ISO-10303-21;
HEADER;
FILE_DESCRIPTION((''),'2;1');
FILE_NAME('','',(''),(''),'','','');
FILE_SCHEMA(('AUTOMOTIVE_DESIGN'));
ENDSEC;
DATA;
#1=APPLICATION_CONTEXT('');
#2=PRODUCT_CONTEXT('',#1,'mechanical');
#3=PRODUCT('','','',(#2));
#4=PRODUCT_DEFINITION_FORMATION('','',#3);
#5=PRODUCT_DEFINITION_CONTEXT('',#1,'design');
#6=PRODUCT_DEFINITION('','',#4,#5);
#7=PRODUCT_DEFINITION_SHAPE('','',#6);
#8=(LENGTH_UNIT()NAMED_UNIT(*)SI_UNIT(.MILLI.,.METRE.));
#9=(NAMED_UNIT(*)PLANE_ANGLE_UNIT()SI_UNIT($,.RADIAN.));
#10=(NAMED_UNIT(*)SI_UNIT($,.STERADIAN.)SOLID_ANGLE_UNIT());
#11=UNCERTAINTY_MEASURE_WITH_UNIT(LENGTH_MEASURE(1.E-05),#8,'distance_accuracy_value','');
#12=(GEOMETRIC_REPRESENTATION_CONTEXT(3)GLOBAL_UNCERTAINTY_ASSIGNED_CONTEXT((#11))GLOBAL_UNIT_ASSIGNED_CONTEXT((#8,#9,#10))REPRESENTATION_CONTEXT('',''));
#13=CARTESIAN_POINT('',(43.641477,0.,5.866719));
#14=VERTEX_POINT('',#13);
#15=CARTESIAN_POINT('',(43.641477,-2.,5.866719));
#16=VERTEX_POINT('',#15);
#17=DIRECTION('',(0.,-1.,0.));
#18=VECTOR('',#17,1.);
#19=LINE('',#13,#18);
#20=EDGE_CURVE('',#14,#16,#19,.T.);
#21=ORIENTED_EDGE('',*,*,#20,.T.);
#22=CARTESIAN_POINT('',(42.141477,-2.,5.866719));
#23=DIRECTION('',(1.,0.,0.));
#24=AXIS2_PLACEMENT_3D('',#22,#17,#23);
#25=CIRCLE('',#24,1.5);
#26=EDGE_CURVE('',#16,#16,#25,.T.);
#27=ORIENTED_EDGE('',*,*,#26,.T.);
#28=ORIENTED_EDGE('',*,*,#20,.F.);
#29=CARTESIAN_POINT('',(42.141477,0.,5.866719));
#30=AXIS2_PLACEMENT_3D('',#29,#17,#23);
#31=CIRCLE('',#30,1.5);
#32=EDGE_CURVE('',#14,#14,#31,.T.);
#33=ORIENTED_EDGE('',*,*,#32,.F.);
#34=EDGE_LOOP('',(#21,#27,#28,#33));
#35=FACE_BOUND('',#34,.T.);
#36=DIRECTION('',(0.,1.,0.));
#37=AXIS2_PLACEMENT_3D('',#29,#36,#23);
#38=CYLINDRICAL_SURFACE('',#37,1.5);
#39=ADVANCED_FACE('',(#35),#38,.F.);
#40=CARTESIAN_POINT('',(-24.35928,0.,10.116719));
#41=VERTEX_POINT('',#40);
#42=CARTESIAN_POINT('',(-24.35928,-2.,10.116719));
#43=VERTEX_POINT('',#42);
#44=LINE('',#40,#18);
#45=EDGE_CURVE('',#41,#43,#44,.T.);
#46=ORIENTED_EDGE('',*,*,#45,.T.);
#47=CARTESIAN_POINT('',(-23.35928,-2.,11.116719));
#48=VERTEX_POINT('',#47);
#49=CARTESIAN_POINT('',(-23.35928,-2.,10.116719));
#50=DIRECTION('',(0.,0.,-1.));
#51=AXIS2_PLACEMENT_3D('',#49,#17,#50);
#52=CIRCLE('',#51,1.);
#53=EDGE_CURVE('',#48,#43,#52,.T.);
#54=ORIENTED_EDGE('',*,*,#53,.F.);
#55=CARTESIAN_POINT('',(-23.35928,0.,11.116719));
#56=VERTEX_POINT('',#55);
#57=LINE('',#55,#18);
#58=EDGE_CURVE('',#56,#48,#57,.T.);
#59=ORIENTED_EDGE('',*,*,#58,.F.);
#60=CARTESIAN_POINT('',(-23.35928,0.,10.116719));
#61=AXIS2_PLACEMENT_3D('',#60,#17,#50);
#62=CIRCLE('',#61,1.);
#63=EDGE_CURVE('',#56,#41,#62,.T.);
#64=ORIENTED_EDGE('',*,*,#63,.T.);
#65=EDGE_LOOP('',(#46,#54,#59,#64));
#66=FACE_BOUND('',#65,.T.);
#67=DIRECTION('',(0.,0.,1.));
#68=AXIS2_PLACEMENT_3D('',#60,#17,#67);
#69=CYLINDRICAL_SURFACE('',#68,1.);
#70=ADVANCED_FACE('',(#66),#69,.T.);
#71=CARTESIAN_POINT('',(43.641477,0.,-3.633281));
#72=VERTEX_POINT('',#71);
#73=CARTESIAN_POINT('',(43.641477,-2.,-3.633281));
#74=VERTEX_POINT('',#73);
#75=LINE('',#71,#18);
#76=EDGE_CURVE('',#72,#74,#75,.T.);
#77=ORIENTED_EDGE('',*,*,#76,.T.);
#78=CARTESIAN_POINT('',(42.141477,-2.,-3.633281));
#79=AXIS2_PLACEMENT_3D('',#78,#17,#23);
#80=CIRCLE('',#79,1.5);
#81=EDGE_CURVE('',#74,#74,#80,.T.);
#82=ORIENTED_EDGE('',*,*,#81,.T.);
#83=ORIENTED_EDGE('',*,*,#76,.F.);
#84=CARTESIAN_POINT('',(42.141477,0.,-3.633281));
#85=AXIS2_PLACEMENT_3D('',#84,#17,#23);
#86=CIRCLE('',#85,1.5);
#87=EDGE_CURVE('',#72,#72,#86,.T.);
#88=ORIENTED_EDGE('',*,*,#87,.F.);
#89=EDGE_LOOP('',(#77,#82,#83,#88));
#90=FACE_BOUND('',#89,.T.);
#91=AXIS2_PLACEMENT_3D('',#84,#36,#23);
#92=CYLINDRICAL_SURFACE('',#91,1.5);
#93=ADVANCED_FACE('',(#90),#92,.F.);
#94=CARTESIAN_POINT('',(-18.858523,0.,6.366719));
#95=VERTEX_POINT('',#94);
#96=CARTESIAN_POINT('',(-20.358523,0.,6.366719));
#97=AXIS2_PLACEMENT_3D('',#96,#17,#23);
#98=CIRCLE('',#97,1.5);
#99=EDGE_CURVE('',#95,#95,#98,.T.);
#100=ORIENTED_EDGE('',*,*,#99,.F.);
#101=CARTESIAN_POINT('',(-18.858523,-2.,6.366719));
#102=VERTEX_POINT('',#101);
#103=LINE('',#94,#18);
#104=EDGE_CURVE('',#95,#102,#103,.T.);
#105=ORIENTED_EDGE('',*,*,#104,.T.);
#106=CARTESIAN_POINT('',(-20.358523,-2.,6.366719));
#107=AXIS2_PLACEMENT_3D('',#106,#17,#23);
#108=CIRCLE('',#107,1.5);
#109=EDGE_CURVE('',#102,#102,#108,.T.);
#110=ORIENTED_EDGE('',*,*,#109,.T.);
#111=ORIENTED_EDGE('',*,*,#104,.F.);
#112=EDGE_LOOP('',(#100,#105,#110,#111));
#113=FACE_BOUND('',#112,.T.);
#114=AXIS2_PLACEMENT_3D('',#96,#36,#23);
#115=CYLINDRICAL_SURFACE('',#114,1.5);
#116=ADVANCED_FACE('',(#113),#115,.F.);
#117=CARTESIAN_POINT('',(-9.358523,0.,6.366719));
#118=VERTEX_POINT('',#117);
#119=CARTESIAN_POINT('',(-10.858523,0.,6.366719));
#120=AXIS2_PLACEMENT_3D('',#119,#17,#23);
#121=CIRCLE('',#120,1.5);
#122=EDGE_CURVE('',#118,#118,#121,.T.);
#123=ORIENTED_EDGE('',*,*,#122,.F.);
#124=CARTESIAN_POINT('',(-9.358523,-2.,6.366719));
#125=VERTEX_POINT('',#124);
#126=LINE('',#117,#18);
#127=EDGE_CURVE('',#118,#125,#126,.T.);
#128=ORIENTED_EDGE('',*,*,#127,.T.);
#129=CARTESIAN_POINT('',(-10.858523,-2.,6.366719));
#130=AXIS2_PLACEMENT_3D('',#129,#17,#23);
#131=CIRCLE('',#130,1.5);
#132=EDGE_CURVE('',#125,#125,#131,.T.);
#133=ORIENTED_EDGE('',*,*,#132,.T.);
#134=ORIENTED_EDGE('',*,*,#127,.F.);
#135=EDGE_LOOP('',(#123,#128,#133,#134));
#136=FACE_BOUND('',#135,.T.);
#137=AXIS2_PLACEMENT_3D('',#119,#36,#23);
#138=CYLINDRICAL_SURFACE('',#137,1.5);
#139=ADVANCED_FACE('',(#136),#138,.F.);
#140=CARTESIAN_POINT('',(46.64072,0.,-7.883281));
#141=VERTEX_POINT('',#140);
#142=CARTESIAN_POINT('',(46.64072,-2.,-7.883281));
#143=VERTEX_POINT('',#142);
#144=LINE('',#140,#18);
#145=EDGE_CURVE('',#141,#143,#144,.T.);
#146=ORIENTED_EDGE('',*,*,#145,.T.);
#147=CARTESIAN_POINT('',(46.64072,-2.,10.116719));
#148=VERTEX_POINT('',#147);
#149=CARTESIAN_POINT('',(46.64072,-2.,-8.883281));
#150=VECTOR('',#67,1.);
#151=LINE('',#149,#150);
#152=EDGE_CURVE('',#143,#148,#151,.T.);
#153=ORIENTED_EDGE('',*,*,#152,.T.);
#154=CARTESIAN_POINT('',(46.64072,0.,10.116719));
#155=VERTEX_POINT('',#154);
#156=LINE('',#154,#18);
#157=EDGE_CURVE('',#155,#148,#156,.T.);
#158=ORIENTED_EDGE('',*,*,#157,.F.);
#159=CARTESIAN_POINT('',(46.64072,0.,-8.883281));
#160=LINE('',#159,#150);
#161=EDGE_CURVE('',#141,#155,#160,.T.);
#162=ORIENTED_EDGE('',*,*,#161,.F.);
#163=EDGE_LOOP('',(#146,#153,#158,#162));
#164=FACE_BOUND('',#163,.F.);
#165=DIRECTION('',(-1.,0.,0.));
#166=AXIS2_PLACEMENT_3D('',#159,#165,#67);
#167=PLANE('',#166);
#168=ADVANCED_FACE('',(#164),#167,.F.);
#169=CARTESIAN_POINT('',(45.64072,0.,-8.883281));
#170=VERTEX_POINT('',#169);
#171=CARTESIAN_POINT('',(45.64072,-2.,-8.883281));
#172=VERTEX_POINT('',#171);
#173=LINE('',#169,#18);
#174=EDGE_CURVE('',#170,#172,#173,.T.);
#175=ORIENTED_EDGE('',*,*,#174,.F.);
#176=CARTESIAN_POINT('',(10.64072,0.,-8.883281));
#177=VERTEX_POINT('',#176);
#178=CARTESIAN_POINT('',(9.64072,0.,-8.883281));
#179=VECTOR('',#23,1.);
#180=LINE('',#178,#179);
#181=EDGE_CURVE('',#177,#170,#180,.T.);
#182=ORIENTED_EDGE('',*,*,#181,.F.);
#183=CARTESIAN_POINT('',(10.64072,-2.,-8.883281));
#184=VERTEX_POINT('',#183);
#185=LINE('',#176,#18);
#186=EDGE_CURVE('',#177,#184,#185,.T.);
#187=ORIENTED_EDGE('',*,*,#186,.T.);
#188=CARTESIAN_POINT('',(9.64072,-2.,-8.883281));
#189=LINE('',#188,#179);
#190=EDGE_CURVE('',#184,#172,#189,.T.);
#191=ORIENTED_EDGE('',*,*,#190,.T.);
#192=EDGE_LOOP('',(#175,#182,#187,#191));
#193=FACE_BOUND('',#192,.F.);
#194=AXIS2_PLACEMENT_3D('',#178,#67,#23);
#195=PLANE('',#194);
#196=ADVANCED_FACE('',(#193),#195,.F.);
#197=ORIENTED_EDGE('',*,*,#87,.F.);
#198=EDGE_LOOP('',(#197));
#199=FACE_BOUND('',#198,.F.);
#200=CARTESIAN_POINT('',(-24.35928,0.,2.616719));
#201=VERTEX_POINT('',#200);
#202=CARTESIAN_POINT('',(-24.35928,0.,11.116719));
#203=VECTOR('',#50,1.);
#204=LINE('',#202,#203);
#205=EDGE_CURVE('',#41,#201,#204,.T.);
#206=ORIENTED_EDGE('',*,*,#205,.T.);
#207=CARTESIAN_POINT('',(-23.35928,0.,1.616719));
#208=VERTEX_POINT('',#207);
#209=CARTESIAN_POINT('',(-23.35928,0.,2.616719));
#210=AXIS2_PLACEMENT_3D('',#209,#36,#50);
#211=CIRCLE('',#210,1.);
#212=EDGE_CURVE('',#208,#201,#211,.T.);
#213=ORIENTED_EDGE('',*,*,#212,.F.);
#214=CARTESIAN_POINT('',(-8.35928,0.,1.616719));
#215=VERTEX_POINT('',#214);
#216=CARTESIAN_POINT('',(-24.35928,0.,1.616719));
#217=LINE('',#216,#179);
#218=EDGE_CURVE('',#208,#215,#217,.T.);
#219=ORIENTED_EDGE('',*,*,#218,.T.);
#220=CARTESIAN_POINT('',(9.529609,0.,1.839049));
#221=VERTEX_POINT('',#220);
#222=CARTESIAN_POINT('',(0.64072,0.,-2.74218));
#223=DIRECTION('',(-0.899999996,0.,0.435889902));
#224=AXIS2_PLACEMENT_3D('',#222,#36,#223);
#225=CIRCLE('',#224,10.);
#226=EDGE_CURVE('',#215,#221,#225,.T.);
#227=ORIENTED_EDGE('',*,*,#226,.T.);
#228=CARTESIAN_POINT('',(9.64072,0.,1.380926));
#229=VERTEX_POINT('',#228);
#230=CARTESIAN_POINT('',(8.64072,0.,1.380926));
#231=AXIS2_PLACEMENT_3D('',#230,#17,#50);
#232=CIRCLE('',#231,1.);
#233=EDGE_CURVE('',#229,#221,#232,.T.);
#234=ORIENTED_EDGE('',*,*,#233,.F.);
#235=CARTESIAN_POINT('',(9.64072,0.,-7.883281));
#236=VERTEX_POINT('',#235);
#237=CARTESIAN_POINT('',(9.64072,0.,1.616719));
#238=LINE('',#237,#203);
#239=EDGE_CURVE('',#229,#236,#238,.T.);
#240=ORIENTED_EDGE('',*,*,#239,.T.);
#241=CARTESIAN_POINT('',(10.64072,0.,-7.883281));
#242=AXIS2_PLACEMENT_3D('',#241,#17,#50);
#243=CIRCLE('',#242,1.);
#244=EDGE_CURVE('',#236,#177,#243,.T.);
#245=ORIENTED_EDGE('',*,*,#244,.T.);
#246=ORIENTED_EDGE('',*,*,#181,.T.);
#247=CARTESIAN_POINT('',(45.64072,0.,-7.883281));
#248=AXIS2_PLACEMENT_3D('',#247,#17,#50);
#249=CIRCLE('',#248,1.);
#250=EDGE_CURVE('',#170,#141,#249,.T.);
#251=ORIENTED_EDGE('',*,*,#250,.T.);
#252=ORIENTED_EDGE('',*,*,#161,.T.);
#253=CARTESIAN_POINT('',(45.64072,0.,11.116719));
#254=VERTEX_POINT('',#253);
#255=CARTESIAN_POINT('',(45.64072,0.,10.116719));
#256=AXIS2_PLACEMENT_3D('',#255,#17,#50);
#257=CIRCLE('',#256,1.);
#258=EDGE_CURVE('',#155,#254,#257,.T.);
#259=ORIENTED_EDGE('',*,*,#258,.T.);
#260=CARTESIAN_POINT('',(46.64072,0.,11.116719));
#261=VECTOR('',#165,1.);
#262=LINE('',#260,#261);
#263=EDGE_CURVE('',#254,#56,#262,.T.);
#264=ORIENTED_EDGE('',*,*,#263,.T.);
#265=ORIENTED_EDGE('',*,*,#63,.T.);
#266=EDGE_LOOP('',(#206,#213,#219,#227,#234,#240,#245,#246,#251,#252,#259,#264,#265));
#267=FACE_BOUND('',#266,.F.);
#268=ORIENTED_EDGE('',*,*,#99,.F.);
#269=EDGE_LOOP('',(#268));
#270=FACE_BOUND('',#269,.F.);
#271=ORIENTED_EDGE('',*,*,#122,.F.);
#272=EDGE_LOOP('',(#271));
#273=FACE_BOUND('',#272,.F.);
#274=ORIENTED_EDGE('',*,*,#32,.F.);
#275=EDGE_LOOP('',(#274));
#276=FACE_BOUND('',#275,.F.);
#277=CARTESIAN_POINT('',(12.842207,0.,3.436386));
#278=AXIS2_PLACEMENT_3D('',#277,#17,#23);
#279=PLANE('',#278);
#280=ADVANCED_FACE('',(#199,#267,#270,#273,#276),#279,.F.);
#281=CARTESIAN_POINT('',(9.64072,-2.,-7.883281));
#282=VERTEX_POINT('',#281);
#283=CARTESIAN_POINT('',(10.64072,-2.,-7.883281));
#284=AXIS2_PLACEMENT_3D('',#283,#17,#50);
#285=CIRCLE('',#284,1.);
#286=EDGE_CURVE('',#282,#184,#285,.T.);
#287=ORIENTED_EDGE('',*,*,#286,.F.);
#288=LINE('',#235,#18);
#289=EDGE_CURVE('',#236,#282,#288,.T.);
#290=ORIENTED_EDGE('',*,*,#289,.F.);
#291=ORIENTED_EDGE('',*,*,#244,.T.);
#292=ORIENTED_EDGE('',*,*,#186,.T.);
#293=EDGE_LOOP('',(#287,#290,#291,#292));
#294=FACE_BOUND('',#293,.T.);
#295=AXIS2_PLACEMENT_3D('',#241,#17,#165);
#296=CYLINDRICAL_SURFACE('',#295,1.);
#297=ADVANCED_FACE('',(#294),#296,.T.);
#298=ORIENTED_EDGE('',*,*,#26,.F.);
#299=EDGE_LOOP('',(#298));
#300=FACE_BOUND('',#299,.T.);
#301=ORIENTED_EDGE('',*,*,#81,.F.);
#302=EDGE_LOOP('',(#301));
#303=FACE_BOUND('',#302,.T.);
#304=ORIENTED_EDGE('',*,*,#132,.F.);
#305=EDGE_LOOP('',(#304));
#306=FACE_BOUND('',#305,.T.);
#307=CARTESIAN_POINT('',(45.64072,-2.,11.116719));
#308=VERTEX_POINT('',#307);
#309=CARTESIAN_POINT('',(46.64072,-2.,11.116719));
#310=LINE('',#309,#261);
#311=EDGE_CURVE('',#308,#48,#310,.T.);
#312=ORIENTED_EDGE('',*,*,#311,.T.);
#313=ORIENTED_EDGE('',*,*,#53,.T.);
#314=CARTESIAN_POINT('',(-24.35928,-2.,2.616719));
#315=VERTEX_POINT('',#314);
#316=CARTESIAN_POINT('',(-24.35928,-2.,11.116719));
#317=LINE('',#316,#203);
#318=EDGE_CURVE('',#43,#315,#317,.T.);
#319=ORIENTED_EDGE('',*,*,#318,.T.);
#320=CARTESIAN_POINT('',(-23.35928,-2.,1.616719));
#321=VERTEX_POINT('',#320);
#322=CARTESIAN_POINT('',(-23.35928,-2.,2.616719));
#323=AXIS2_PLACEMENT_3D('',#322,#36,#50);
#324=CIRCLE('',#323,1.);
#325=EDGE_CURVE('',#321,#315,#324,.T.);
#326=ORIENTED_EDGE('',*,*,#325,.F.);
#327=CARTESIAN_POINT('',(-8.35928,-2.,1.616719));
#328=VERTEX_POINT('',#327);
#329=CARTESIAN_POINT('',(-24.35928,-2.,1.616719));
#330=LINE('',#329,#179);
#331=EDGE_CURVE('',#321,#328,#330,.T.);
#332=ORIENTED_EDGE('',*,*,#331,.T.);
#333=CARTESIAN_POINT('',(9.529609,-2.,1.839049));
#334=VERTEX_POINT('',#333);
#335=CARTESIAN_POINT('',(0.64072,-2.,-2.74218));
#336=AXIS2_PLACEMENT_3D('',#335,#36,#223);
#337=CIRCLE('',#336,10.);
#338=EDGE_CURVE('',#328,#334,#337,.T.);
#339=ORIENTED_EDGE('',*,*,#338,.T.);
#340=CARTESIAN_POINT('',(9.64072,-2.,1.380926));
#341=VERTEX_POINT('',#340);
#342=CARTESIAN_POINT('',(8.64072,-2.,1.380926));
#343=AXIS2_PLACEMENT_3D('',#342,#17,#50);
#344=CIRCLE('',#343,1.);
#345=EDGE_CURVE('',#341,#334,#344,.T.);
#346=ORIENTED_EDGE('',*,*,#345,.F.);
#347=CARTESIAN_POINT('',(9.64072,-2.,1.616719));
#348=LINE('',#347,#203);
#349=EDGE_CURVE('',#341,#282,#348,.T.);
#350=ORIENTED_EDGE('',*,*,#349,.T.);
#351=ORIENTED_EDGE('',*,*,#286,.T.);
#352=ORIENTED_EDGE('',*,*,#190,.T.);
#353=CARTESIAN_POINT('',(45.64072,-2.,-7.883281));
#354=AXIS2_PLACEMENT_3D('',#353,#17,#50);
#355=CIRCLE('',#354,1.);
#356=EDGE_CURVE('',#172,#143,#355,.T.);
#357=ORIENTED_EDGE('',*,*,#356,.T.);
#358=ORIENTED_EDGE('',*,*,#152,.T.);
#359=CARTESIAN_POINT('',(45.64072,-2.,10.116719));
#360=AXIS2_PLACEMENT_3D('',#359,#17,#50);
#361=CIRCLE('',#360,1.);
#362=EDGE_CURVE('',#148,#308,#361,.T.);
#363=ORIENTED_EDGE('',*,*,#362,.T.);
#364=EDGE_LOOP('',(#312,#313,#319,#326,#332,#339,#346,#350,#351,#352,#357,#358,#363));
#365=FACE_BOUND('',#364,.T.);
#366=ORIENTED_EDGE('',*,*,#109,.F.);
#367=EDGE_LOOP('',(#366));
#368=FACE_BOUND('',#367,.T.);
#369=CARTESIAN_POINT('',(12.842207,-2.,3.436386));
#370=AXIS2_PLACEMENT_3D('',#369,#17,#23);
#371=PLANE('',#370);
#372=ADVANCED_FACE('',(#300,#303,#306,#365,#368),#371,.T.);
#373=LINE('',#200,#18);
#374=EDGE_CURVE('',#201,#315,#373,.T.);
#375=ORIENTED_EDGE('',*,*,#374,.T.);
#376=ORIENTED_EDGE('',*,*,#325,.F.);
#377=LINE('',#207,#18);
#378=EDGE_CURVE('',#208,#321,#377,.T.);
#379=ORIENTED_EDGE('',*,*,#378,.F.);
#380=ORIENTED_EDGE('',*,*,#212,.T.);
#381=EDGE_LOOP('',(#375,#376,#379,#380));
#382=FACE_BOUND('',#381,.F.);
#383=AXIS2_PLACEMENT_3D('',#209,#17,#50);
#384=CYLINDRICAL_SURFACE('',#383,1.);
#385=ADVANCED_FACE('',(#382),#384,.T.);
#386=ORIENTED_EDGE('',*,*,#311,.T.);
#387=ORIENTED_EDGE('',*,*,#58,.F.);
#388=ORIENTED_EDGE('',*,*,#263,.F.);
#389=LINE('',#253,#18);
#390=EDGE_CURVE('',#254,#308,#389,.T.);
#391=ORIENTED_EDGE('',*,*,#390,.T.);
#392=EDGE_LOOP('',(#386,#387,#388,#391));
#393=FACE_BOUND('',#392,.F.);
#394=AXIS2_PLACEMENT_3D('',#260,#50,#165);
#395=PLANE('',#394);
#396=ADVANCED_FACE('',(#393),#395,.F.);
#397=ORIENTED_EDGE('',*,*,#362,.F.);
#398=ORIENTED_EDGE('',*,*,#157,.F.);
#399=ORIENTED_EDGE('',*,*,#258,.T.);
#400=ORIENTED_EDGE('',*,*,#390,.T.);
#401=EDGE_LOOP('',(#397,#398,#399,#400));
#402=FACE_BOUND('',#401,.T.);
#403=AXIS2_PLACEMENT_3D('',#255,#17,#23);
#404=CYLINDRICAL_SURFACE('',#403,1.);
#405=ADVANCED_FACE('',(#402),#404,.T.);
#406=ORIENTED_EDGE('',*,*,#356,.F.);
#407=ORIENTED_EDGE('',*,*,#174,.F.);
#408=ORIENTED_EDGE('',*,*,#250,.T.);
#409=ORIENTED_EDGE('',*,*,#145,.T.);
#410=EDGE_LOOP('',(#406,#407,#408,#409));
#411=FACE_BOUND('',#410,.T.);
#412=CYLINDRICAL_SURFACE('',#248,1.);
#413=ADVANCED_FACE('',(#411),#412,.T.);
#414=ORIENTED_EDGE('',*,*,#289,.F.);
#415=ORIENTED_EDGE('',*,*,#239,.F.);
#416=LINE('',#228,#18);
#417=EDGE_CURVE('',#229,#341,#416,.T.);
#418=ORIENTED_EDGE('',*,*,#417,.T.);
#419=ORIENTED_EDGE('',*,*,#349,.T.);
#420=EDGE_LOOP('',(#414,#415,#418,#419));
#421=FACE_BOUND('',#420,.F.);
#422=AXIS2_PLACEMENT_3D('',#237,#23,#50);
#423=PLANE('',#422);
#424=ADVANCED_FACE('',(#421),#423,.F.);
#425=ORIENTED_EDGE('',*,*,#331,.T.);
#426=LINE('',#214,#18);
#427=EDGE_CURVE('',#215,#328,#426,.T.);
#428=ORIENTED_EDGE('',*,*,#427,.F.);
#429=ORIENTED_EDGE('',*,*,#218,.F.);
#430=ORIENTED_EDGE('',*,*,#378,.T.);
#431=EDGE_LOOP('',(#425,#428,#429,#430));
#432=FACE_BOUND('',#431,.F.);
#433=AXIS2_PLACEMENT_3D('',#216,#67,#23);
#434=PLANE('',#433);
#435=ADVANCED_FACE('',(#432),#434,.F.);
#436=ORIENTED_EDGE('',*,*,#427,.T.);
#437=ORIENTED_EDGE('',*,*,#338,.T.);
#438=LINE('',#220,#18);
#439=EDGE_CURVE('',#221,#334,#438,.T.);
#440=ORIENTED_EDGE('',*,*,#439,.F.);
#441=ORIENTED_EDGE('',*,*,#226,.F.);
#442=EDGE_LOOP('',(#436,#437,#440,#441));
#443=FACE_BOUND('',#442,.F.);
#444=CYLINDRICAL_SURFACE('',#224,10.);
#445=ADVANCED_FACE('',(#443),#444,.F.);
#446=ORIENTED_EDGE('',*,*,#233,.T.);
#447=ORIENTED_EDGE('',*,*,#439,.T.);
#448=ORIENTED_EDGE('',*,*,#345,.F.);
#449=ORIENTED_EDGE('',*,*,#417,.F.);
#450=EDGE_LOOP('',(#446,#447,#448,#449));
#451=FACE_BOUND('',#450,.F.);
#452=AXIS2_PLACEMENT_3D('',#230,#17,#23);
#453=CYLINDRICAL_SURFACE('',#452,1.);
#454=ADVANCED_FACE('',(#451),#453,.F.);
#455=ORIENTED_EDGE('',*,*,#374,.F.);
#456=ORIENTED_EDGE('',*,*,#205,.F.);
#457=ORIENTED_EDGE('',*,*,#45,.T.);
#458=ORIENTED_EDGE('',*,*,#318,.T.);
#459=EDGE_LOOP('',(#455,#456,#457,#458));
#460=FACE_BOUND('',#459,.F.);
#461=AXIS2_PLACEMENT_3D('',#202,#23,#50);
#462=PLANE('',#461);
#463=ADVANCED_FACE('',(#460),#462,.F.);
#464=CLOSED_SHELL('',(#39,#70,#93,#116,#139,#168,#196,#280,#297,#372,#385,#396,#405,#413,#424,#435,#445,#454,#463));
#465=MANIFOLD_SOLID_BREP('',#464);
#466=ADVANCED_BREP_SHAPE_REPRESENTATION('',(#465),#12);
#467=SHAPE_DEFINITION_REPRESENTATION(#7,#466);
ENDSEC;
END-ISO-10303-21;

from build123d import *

# Parameters (mm, degrees)
F0_R     = 1.5
F1_DEPTH = 2
F2_R     = 1
F3_R     = 1


with BuildPart() as f1:
    # F0 (on Front) → F1 (new body)
    with BuildSketch(Plane.XZ):
        with BuildLine():
            Line((46.64072, -8.883281), (46.64072, 11.116719))
            Line((46.64072, 11.116719), (-24.35928, 11.116719))
            Line((-24.35928, 11.116719), (-24.35928, 1.616719))
            Line((-24.35928, 1.616719), (-8.35928, 1.616719))
            ThreePointArc((-8.35928, 1.616719), (0.64072, 7.25782), (9.64072, 1.616719))
            Line((9.64072, 1.616719), (9.64072, -8.883281))
            Line((9.64072, -8.883281), (46.64072, -8.883281))
        make_face()
        with Locations((42.141477, -3.633281)):
            Circle(F0_R, mode=Mode.SUBTRACT)
        with Locations((-20.358523, 6.366719)):
            Circle(F0_R, mode=Mode.SUBTRACT)
        with Locations((-10.858523, 6.366719)):
            Circle(F0_R, mode=Mode.SUBTRACT)
        with Locations((42.141477, 5.866719)):
            Circle(F0_R, mode=Mode.SUBTRACT)
    extrude(amount=F1_DEPTH)

    # F2
    f2_edges = [f1.edges().sort_by_distance(p)[0] for p in [
        (9.64072, -1, 1.616719),
    ]]
    fillet(f2_edges, radius=F2_R)

    # F3
    f3_edges = [f1.edges().sort_by_distance(p)[0] for p in [
        (46.64072, -1, 11.116719),
        (-24.35928, -1, 11.116719),
        (-24.35928, -1, 1.616719),
        (9.64072, -1, -8.883281),
        (46.64072, -1, -8.883281),
    ]]
    fillet(f3_edges, radius=F3_R)


solid = f1.part
